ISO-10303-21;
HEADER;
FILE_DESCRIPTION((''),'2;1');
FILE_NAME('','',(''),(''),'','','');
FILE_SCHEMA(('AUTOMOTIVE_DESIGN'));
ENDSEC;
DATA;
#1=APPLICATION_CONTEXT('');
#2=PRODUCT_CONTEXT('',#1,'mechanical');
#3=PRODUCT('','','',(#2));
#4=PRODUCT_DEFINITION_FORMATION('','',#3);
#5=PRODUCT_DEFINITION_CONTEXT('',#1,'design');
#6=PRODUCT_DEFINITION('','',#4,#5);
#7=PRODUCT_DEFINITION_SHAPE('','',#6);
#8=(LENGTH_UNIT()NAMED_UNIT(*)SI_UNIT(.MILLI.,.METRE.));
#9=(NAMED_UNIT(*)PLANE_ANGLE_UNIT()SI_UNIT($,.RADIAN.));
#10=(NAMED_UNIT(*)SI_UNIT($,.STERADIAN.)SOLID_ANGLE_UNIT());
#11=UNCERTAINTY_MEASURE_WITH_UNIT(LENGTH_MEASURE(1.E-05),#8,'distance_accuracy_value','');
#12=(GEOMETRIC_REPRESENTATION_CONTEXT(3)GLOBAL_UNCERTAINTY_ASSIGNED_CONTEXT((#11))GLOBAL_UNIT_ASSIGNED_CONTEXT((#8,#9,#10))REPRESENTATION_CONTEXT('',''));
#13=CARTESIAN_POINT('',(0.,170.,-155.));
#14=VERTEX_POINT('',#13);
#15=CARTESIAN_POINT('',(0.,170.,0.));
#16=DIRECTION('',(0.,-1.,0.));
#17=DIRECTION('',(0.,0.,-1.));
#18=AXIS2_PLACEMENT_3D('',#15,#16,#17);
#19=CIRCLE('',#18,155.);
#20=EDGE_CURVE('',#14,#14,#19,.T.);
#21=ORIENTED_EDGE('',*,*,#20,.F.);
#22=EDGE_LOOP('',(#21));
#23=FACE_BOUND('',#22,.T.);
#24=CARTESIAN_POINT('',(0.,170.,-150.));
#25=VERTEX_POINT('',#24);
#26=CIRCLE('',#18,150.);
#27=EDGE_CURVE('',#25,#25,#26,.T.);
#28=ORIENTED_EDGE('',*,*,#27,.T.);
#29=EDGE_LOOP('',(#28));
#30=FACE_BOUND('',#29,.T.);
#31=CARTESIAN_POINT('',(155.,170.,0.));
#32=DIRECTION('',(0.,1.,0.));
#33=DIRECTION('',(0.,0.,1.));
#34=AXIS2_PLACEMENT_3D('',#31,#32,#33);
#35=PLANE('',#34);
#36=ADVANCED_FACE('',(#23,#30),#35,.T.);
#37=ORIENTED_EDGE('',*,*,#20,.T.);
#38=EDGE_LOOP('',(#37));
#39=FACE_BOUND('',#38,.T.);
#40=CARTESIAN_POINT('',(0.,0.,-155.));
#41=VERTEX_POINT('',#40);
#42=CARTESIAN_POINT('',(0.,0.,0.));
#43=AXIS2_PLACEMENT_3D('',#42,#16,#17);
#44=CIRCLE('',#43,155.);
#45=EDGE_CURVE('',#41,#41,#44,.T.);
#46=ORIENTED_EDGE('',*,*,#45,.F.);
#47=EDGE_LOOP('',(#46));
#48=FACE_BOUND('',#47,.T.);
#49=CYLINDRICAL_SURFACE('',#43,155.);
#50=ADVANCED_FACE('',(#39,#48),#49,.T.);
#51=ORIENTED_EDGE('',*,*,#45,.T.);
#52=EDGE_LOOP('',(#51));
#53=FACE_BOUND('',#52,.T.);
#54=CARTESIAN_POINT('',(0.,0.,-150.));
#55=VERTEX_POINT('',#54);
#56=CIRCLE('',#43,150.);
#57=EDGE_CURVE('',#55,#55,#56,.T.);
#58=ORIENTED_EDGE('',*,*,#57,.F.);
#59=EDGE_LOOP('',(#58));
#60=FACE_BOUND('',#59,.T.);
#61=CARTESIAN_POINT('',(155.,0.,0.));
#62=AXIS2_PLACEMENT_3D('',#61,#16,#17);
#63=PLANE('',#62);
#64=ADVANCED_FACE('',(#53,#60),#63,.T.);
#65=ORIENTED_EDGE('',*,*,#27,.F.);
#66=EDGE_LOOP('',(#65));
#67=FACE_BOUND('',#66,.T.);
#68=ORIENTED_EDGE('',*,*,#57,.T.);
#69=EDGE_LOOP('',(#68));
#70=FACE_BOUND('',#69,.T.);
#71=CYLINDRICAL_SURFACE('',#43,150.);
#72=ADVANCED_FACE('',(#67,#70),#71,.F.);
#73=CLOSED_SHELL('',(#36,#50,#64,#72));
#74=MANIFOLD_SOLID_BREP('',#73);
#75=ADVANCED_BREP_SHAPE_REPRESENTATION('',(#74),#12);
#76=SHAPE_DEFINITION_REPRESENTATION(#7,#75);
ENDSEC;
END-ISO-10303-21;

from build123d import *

# Parameters (mm, degrees)
SKETCH_1_W = 5
SKETCH_1_H = 170


with BuildPart() as part:
    # 草图1 → 旋转1 (revolve)
    with BuildSketch(Plane.XY, mode=Mode.PRIVATE) as revolve_1_sk:
        with Locations((152.5, 85)):
            Rectangle(SKETCH_1_W, SKETCH_1_H)
    revolve(revolve_1_sk.sketch.rotate(Axis((0, 0, 0), (0, 1, 0)), 90), axis=Axis((0, 0, 0), (0, 1, 0)))


solid = part.part
